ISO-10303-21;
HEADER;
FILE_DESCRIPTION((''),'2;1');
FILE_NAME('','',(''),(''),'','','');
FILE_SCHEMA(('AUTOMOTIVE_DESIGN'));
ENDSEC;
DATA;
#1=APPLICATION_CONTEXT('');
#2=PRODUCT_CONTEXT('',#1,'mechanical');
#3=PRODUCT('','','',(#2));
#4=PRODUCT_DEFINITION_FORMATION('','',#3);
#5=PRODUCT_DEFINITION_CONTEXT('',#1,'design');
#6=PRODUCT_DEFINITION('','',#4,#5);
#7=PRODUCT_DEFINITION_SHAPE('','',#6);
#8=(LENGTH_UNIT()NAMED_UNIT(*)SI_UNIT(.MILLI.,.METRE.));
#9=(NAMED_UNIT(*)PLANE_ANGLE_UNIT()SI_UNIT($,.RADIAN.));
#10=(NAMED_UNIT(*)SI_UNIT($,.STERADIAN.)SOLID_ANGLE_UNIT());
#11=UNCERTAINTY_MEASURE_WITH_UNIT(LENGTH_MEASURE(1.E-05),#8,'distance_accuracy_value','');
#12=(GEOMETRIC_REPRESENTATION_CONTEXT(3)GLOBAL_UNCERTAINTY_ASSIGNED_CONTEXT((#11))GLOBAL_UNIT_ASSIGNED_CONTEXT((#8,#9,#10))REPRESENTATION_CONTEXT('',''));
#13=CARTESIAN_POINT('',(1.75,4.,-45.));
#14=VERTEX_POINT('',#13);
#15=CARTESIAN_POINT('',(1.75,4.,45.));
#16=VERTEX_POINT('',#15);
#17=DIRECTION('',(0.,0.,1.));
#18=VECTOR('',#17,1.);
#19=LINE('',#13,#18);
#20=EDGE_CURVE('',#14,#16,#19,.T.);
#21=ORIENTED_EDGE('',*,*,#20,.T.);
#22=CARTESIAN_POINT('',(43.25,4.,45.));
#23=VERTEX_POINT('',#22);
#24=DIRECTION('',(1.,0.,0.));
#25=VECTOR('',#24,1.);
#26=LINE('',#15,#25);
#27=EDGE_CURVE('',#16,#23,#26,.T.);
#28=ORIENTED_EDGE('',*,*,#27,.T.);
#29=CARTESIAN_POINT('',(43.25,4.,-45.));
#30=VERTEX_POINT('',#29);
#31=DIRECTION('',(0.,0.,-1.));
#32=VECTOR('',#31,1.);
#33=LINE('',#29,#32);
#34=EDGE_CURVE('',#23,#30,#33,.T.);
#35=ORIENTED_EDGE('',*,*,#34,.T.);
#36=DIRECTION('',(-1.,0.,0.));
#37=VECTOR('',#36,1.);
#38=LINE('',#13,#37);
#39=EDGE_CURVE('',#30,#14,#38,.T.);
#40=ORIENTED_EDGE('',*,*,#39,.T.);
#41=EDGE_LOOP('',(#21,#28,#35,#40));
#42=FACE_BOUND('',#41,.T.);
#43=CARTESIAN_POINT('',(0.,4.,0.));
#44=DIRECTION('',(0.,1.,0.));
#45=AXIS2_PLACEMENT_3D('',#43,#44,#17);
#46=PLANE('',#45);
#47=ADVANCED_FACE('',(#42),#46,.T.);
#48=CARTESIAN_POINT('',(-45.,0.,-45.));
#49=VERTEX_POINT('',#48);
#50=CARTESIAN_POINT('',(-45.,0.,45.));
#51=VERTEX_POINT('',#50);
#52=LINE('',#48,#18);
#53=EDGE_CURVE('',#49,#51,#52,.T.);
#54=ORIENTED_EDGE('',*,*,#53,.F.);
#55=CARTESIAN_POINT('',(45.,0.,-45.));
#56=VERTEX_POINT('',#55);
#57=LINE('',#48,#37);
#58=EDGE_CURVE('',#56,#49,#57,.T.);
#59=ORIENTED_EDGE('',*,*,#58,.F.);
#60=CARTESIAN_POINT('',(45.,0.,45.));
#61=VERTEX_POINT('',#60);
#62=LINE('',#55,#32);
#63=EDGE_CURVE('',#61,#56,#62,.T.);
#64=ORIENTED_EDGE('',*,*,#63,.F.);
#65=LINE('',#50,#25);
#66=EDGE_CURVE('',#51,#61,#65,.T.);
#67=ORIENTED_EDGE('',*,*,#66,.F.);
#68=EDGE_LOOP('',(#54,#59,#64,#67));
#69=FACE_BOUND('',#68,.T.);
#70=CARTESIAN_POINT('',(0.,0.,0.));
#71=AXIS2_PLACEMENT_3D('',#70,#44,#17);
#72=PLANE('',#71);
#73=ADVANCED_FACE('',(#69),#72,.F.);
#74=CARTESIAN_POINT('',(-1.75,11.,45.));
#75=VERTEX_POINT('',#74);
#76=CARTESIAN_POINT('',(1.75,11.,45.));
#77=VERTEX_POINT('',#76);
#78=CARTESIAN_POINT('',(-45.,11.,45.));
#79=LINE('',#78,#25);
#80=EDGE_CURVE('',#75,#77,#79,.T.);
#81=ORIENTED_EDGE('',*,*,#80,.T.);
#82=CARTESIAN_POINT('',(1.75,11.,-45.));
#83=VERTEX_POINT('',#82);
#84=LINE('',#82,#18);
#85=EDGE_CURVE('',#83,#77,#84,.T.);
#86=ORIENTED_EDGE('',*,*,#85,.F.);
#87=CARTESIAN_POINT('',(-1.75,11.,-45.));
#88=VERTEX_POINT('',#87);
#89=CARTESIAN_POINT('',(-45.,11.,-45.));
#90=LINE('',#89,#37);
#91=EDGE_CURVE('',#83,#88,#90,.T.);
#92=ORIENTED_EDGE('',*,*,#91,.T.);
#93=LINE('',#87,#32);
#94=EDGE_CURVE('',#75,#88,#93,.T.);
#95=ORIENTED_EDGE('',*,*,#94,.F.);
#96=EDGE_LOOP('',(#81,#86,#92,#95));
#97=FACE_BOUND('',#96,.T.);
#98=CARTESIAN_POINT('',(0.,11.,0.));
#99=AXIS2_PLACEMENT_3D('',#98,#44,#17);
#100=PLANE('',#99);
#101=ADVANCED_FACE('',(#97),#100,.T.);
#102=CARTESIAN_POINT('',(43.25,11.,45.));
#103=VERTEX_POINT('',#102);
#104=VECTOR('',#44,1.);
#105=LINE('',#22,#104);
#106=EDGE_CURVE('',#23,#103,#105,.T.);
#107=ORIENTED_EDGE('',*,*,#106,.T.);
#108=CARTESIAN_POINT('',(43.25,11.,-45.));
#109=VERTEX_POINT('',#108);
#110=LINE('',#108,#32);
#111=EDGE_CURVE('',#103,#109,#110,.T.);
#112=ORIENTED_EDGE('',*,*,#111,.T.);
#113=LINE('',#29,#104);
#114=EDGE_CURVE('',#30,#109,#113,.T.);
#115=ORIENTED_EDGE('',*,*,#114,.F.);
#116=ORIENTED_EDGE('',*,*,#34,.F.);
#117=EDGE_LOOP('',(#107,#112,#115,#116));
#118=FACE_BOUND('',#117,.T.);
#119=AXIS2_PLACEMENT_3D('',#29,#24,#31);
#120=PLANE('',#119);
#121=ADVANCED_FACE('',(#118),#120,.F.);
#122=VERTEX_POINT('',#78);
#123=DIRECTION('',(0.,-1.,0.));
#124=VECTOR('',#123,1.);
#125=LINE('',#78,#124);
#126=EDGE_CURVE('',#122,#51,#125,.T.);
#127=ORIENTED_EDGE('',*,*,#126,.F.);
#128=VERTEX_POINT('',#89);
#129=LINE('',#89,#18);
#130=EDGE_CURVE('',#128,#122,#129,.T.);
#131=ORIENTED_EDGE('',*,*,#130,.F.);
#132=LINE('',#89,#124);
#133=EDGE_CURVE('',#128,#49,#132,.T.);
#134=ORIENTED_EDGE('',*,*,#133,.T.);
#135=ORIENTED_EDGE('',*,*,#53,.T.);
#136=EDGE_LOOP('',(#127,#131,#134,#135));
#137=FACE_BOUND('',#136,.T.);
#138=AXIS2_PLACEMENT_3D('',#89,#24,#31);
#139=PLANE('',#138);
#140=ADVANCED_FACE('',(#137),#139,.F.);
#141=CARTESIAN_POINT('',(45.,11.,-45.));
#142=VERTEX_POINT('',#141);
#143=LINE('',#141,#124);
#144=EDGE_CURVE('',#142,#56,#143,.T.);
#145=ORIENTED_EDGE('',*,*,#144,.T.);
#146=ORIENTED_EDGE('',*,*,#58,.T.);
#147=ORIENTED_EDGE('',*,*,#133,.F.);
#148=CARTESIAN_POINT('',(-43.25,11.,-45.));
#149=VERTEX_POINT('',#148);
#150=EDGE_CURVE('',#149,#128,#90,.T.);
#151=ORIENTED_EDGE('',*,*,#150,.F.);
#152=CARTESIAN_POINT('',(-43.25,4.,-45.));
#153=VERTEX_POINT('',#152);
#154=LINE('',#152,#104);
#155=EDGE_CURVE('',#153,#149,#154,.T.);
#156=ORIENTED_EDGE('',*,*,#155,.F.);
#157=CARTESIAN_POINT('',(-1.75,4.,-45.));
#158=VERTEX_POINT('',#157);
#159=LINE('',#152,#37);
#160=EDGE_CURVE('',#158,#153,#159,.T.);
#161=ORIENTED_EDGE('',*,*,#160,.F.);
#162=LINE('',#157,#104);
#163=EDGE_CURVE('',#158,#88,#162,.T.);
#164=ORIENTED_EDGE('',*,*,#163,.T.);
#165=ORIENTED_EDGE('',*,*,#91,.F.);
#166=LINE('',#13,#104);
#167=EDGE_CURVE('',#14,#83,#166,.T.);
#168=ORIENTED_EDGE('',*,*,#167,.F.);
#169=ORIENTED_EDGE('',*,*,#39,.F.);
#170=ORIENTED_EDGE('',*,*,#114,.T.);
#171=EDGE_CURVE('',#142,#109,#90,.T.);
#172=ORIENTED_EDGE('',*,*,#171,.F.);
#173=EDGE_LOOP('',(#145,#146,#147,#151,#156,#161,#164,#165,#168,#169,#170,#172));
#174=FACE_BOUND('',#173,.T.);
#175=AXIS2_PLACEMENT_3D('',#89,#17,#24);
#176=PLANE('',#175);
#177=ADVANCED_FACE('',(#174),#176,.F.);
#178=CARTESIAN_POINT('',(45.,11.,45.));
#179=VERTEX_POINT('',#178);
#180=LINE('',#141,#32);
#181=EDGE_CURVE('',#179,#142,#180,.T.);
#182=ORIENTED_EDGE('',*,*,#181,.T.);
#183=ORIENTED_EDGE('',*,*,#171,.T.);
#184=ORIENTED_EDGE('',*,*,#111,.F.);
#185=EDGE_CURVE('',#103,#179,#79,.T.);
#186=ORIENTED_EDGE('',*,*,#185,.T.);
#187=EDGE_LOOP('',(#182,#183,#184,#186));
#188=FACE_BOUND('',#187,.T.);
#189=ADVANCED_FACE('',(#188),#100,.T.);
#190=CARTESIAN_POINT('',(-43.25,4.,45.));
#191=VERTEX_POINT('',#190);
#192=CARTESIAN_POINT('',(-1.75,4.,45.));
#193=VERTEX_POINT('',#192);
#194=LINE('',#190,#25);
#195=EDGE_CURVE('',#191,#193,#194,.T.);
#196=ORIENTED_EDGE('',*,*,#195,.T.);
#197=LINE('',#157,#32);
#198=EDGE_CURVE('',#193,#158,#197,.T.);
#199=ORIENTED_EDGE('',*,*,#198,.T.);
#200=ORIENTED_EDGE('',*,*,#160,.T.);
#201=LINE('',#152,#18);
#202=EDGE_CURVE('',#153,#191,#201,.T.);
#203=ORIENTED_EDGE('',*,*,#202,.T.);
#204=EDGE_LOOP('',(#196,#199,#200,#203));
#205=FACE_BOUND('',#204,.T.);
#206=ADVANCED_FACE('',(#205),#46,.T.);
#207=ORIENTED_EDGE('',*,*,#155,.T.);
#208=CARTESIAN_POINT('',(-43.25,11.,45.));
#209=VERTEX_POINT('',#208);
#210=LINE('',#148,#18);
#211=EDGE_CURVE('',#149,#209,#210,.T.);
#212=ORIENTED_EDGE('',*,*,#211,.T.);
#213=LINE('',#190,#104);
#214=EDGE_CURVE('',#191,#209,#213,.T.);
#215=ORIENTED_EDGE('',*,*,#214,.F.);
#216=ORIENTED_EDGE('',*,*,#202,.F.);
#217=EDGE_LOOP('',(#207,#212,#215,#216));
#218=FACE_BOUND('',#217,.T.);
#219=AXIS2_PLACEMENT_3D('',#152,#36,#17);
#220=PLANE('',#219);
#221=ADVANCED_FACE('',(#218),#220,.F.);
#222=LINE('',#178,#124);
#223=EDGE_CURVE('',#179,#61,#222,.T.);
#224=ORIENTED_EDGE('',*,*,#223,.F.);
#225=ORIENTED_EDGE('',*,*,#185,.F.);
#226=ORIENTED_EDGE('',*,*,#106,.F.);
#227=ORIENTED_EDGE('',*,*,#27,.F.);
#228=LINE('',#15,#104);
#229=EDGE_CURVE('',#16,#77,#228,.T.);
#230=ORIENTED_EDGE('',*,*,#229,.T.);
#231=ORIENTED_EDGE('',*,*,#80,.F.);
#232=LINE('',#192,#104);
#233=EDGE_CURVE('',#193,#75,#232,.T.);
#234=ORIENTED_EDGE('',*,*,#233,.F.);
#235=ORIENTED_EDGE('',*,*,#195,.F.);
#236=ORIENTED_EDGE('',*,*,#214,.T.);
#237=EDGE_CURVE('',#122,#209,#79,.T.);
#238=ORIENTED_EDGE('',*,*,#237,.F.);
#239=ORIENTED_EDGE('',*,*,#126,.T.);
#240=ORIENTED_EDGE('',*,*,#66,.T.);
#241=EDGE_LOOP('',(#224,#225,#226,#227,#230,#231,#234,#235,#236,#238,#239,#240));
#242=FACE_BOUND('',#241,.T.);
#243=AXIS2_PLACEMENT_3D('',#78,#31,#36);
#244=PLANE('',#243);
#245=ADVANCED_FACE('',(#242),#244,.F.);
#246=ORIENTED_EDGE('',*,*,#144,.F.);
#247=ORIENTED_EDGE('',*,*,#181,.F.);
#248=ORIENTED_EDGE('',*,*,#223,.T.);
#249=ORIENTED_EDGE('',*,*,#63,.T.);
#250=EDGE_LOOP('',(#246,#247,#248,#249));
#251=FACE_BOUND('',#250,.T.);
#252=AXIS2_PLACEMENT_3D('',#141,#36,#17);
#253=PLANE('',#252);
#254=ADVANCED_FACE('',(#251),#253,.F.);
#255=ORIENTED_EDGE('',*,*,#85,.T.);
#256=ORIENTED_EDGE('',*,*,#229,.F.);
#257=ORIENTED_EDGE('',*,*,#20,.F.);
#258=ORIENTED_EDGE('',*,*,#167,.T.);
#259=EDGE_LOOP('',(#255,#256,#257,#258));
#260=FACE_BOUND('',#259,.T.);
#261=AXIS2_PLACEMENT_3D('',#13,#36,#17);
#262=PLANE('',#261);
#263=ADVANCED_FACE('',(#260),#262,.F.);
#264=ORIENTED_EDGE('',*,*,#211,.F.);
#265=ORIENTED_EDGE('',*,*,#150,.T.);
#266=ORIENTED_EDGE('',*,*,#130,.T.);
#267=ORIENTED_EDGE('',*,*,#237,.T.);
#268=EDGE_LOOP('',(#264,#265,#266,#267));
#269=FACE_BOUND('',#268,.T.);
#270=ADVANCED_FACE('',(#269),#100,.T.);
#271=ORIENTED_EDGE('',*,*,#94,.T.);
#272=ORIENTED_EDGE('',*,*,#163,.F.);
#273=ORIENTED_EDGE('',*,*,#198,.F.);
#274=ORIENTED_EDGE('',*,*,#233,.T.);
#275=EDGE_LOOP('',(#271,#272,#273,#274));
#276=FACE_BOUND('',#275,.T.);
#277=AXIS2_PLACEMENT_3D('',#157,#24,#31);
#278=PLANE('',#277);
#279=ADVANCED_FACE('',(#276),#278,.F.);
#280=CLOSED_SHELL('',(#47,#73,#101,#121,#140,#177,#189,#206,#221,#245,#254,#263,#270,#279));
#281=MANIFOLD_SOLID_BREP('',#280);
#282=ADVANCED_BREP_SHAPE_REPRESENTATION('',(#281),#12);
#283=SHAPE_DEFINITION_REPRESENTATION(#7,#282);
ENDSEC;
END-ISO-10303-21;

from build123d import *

# Parameters (mm, degrees)
SKETCH1_W           = 90
SKETCH1_H           = 90
BOSS_EXTRUDE1_DEPTH = 11
SKETCH2_W           = 41.5
SKETCH2_H           = 90
CUT_EXTRUDE2_DEPTH  = 7


with BuildPart() as part:
    # Sketch1 → Boss-Extrude1 (new body)
    with BuildSketch(Plane(origin=(0, 0, 0), x_dir=(1, 0, 0), z_dir=(0, 1, 0))):
        Rectangle(SKETCH1_W, SKETCH1_H)
    extrude(amount=BOSS_EXTRUDE1_DEPTH)

    # Sketch2 → Cut-Extrude2 (cut)
    with BuildSketch(Plane(origin=(0, 11, 0), x_dir=(1, 0, 0), z_dir=(0, 1, 0))):
        with Locations((-22.5, 0)):
            Rectangle(SKETCH2_W, SKETCH2_H)
        with Locations((22.5, 0)):
            Rectangle(SKETCH2_W, SKETCH2_H)
    extrude(amount=-CUT_EXTRUDE2_DEPTH, mode=Mode.SUBTRACT)


solid = part.part
